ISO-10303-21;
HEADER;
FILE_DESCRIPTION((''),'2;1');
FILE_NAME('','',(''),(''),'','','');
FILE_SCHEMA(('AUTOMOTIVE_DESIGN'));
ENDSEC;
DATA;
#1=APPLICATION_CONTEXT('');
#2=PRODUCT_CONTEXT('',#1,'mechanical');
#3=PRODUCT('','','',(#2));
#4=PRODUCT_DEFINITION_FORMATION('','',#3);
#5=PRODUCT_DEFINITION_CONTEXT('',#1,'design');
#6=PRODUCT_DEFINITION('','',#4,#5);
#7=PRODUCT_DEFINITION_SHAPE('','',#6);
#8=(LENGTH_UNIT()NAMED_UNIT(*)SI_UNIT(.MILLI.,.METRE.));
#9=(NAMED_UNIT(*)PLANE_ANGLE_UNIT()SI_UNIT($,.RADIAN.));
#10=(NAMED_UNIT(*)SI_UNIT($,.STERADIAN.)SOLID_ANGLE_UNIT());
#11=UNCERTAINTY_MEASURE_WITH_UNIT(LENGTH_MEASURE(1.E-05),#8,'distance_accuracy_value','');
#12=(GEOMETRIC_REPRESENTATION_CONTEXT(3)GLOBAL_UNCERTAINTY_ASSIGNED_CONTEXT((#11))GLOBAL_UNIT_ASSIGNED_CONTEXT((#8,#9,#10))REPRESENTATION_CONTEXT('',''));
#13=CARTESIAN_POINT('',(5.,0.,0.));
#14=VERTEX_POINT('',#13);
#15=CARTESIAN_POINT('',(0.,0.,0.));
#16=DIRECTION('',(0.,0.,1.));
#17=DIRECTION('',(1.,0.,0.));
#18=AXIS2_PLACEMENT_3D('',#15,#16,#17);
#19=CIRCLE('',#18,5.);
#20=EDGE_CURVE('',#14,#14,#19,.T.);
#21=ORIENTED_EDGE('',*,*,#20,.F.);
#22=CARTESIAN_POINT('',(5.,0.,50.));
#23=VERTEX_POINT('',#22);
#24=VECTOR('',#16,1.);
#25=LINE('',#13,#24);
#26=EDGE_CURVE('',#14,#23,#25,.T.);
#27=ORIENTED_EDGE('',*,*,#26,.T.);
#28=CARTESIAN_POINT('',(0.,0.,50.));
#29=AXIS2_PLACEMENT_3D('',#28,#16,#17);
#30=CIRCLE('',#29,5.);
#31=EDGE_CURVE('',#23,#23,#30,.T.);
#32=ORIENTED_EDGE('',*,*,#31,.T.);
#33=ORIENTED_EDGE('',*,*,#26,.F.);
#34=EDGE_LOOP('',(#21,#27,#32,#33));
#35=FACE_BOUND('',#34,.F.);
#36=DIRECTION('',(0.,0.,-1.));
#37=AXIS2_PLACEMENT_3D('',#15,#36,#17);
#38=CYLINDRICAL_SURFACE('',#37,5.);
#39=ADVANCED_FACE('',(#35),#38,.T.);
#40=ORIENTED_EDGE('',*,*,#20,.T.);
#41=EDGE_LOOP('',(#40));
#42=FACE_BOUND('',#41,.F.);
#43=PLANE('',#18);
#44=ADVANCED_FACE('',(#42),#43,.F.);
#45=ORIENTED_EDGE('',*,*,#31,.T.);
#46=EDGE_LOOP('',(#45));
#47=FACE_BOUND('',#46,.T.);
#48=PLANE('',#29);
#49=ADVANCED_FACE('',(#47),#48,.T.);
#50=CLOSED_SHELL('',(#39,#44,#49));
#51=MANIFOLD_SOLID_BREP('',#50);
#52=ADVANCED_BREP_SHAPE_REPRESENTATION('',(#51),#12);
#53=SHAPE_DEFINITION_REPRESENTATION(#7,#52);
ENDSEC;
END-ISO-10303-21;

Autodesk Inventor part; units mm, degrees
ref_plane "YZ Plane" through (0, 0, 0) normal (1, 0, 0) x (0, 1, 0)
ref_plane "XZ Plane" through (0, 0, 0) normal (0, 1, 0) x (-1, 0, 0)
ref_plane "XY Plane" through (0, 0, 0) normal (0, 0, 1) x (1, 0, 0)
sketch "Sketch1" plane through (0, 0, 0) normal (0, 0, 1) x (1, 0, 0)
  circle A0 centre (0, 0) radius 5
  dimension "d0" = 10
extrude "Extrusion1" add sketch "Sketch1" along normal blind 50
properties material "Steel"
